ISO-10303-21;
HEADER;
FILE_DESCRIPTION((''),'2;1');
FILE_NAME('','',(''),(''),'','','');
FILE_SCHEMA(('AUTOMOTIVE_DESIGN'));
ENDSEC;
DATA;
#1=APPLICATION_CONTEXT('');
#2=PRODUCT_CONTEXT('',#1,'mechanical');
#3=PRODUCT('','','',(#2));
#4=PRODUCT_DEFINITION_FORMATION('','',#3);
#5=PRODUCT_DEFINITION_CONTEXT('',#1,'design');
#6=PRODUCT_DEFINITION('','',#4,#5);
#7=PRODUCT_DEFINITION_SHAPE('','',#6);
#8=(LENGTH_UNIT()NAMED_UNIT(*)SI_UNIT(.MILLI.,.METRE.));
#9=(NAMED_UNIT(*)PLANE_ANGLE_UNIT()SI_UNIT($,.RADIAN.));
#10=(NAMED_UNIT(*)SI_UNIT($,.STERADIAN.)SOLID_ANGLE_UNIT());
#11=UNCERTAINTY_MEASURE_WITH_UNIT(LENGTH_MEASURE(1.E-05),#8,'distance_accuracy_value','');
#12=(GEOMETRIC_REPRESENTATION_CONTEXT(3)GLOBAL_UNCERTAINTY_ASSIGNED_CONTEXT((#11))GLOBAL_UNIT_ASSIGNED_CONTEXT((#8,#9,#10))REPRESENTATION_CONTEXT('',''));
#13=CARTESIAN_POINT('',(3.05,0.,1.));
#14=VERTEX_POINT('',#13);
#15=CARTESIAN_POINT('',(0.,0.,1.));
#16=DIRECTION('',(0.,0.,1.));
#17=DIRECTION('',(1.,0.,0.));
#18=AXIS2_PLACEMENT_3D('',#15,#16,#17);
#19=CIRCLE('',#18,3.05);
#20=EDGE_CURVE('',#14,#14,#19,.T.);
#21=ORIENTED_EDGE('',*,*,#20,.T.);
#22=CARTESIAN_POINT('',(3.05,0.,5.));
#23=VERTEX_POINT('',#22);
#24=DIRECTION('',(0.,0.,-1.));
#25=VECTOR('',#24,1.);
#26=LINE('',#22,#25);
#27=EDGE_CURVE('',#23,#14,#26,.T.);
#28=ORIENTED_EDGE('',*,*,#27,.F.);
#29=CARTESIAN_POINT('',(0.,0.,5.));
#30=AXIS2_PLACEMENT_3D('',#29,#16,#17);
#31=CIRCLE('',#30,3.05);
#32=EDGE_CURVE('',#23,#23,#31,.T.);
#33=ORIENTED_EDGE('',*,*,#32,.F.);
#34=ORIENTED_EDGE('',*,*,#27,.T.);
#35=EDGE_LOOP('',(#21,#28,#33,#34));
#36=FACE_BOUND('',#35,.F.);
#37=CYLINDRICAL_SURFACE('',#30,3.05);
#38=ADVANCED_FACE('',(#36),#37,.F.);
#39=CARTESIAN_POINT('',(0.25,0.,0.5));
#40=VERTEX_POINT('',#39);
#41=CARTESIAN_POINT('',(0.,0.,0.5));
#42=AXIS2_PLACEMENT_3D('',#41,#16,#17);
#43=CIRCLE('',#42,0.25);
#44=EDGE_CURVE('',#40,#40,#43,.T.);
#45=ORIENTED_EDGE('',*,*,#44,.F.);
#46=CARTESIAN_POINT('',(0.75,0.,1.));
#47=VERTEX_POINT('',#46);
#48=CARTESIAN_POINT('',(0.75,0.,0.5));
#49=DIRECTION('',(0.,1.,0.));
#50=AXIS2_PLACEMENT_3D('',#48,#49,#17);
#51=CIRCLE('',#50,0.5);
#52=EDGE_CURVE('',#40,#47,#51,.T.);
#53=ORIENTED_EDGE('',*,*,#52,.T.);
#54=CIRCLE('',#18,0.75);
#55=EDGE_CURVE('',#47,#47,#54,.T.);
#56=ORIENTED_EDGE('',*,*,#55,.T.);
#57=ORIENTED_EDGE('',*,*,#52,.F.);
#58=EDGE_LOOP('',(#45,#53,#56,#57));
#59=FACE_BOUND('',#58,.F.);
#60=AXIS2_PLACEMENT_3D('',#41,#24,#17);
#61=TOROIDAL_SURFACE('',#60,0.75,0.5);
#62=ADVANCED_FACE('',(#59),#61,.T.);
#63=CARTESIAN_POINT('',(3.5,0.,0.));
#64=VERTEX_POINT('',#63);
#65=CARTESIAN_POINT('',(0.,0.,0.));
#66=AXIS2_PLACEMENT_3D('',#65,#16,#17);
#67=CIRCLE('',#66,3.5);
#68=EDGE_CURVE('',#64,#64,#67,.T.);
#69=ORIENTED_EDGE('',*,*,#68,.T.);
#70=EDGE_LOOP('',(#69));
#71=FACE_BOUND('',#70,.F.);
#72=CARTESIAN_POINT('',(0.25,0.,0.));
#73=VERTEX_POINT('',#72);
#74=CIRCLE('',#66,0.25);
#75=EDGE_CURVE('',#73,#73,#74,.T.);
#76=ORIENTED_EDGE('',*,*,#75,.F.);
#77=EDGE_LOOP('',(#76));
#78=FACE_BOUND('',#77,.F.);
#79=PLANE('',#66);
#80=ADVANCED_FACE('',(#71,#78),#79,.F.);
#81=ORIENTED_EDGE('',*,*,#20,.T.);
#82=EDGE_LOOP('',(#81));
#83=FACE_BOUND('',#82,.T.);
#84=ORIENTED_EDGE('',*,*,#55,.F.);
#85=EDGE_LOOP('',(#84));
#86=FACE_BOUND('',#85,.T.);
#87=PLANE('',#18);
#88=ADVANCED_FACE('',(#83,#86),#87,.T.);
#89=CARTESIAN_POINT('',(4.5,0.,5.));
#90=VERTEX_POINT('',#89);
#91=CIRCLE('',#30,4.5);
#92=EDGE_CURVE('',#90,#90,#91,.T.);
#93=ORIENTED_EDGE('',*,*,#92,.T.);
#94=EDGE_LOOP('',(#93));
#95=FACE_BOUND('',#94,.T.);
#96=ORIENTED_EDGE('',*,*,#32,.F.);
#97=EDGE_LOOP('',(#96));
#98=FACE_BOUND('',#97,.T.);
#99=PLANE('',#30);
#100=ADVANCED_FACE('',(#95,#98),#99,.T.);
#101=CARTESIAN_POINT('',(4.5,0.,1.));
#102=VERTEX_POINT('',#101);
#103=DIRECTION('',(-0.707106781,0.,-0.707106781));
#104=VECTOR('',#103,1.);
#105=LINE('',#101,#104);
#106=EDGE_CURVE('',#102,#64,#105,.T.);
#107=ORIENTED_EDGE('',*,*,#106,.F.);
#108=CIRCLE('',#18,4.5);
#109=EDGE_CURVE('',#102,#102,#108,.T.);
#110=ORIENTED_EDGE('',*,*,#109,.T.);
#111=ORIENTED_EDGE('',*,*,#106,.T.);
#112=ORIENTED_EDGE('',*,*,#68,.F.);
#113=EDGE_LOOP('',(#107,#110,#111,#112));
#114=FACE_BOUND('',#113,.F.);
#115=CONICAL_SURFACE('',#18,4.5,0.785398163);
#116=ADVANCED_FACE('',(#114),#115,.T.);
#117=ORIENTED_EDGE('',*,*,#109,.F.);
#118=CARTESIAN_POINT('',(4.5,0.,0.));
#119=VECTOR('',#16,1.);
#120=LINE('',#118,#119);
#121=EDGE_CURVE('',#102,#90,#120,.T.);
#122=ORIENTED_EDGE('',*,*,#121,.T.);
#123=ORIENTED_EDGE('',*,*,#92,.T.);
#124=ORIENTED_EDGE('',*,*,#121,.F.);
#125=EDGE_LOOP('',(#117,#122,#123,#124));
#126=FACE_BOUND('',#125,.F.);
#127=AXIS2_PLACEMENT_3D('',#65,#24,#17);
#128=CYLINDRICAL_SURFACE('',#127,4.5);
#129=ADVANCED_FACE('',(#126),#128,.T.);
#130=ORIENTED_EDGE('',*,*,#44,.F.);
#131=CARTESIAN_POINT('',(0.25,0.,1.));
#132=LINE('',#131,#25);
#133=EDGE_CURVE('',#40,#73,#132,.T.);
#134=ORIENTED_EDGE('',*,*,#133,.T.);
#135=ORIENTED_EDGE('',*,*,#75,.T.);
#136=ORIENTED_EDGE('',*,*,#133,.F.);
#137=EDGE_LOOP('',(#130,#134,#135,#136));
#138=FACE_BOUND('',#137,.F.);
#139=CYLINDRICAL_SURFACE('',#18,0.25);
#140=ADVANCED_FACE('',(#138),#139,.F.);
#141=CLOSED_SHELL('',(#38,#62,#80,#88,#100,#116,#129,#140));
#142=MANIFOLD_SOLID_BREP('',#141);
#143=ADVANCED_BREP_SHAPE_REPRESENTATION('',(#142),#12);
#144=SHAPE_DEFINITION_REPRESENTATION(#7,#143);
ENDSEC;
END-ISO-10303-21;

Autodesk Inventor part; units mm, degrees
ref_plane "YZ Plane" through (0, 0, 0) normal (1, 0, 0) x (0, 1, 0)
ref_plane "XZ Plane" through (0, 0, 0) normal (0, 1, 0) x (-1, 0, 0)
ref_plane "XY Plane" through (0, 0, 0) normal (0, 0, 1) x (1, 0, 0)
sketch "Sketch1" plane through (0, 0, 0) normal (0, 0, 1) x (1, 0, 0)
  circle A0 centre (0, 0) radius 4.5
  dimension "d0" = 9
extrude "Extrusion1" add sketch "Sketch1" along normal blind 5
sketch "Sketch2" plane through (0, 0, 5) normal (0, 0, 1) x (1, 0, 0)
  circle A0 centre (0, 0) radius 3.05
  dimension "d3" = 6.1
extrude "Extrusion2" cut sketch "Sketch2" against normal blind 4
chamfer "Chamfer1" distance 1 angle 45 1 edges at (-4.5, 0, 0)
sketch "Sketch3" plane through (0, 0, 1) normal (0, 0, 1) x (1, 0, 0)
  circle A0 centre (0, 0) radius 0.25
  dimension "d9" = 0.5
extrude "Extrusion3" cut sketch "Sketch3" against normal through all
fillet "Fillet1" radius 0.5 1 edges at (-0.25, 0, 1)
properties part number "laser_diode_lid"
